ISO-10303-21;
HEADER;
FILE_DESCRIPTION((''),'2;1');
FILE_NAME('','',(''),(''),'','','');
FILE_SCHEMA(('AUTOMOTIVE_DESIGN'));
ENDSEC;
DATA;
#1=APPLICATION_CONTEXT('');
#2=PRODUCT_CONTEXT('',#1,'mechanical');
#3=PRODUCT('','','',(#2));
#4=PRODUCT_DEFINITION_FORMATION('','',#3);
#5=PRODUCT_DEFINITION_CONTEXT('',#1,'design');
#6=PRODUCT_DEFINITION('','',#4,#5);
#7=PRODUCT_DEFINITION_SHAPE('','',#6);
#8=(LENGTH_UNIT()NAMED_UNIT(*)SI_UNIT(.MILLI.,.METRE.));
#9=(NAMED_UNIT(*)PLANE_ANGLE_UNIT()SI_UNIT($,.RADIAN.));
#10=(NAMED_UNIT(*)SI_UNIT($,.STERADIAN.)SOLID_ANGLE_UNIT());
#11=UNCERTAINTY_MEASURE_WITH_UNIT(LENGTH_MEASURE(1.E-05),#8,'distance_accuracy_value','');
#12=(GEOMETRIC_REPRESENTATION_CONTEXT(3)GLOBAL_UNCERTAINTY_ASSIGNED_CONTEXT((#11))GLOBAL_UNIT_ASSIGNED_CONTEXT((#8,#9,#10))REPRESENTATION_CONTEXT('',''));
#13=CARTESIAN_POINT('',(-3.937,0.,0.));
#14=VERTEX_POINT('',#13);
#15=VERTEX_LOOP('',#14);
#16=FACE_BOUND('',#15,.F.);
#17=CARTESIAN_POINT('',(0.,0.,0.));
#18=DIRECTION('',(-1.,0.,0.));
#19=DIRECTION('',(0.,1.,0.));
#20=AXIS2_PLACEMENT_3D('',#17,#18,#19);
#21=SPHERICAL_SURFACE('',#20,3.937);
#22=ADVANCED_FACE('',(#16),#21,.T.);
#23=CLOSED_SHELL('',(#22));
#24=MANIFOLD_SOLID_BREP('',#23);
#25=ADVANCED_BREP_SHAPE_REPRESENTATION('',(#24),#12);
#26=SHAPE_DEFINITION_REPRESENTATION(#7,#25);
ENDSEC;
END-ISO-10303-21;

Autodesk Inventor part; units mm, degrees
ref_plane "YZ Plane" through (0, 0, 0) normal (1, 0, 0) x (0, 1, 0)
ref_plane "XZ Plane" through (0, 0, 0) normal (0, 1, 0) x (-1, 0, 0)
ref_plane "XY Plane" through (0, 0, 0) normal (0, 0, 1) x (1, 0, 0)
sketch "Sketch1" plane through (0, 0, 0) normal (0, 0, 1) x (1, 0, 0)
  circle A0 centre (0, 0) radius 3.937
  line L0 (-3.937, 0) -> (3.937, 0)
  dimension "d0" = 7.874
revolve "Revolution1" add sketch "Sketch1" angle 360 about axis through (-3.937, 0, 0) along (1, 0, 0) picked at (0.7455, 1.08) contours L0 A0
properties part number "Eye_3DPrint"
